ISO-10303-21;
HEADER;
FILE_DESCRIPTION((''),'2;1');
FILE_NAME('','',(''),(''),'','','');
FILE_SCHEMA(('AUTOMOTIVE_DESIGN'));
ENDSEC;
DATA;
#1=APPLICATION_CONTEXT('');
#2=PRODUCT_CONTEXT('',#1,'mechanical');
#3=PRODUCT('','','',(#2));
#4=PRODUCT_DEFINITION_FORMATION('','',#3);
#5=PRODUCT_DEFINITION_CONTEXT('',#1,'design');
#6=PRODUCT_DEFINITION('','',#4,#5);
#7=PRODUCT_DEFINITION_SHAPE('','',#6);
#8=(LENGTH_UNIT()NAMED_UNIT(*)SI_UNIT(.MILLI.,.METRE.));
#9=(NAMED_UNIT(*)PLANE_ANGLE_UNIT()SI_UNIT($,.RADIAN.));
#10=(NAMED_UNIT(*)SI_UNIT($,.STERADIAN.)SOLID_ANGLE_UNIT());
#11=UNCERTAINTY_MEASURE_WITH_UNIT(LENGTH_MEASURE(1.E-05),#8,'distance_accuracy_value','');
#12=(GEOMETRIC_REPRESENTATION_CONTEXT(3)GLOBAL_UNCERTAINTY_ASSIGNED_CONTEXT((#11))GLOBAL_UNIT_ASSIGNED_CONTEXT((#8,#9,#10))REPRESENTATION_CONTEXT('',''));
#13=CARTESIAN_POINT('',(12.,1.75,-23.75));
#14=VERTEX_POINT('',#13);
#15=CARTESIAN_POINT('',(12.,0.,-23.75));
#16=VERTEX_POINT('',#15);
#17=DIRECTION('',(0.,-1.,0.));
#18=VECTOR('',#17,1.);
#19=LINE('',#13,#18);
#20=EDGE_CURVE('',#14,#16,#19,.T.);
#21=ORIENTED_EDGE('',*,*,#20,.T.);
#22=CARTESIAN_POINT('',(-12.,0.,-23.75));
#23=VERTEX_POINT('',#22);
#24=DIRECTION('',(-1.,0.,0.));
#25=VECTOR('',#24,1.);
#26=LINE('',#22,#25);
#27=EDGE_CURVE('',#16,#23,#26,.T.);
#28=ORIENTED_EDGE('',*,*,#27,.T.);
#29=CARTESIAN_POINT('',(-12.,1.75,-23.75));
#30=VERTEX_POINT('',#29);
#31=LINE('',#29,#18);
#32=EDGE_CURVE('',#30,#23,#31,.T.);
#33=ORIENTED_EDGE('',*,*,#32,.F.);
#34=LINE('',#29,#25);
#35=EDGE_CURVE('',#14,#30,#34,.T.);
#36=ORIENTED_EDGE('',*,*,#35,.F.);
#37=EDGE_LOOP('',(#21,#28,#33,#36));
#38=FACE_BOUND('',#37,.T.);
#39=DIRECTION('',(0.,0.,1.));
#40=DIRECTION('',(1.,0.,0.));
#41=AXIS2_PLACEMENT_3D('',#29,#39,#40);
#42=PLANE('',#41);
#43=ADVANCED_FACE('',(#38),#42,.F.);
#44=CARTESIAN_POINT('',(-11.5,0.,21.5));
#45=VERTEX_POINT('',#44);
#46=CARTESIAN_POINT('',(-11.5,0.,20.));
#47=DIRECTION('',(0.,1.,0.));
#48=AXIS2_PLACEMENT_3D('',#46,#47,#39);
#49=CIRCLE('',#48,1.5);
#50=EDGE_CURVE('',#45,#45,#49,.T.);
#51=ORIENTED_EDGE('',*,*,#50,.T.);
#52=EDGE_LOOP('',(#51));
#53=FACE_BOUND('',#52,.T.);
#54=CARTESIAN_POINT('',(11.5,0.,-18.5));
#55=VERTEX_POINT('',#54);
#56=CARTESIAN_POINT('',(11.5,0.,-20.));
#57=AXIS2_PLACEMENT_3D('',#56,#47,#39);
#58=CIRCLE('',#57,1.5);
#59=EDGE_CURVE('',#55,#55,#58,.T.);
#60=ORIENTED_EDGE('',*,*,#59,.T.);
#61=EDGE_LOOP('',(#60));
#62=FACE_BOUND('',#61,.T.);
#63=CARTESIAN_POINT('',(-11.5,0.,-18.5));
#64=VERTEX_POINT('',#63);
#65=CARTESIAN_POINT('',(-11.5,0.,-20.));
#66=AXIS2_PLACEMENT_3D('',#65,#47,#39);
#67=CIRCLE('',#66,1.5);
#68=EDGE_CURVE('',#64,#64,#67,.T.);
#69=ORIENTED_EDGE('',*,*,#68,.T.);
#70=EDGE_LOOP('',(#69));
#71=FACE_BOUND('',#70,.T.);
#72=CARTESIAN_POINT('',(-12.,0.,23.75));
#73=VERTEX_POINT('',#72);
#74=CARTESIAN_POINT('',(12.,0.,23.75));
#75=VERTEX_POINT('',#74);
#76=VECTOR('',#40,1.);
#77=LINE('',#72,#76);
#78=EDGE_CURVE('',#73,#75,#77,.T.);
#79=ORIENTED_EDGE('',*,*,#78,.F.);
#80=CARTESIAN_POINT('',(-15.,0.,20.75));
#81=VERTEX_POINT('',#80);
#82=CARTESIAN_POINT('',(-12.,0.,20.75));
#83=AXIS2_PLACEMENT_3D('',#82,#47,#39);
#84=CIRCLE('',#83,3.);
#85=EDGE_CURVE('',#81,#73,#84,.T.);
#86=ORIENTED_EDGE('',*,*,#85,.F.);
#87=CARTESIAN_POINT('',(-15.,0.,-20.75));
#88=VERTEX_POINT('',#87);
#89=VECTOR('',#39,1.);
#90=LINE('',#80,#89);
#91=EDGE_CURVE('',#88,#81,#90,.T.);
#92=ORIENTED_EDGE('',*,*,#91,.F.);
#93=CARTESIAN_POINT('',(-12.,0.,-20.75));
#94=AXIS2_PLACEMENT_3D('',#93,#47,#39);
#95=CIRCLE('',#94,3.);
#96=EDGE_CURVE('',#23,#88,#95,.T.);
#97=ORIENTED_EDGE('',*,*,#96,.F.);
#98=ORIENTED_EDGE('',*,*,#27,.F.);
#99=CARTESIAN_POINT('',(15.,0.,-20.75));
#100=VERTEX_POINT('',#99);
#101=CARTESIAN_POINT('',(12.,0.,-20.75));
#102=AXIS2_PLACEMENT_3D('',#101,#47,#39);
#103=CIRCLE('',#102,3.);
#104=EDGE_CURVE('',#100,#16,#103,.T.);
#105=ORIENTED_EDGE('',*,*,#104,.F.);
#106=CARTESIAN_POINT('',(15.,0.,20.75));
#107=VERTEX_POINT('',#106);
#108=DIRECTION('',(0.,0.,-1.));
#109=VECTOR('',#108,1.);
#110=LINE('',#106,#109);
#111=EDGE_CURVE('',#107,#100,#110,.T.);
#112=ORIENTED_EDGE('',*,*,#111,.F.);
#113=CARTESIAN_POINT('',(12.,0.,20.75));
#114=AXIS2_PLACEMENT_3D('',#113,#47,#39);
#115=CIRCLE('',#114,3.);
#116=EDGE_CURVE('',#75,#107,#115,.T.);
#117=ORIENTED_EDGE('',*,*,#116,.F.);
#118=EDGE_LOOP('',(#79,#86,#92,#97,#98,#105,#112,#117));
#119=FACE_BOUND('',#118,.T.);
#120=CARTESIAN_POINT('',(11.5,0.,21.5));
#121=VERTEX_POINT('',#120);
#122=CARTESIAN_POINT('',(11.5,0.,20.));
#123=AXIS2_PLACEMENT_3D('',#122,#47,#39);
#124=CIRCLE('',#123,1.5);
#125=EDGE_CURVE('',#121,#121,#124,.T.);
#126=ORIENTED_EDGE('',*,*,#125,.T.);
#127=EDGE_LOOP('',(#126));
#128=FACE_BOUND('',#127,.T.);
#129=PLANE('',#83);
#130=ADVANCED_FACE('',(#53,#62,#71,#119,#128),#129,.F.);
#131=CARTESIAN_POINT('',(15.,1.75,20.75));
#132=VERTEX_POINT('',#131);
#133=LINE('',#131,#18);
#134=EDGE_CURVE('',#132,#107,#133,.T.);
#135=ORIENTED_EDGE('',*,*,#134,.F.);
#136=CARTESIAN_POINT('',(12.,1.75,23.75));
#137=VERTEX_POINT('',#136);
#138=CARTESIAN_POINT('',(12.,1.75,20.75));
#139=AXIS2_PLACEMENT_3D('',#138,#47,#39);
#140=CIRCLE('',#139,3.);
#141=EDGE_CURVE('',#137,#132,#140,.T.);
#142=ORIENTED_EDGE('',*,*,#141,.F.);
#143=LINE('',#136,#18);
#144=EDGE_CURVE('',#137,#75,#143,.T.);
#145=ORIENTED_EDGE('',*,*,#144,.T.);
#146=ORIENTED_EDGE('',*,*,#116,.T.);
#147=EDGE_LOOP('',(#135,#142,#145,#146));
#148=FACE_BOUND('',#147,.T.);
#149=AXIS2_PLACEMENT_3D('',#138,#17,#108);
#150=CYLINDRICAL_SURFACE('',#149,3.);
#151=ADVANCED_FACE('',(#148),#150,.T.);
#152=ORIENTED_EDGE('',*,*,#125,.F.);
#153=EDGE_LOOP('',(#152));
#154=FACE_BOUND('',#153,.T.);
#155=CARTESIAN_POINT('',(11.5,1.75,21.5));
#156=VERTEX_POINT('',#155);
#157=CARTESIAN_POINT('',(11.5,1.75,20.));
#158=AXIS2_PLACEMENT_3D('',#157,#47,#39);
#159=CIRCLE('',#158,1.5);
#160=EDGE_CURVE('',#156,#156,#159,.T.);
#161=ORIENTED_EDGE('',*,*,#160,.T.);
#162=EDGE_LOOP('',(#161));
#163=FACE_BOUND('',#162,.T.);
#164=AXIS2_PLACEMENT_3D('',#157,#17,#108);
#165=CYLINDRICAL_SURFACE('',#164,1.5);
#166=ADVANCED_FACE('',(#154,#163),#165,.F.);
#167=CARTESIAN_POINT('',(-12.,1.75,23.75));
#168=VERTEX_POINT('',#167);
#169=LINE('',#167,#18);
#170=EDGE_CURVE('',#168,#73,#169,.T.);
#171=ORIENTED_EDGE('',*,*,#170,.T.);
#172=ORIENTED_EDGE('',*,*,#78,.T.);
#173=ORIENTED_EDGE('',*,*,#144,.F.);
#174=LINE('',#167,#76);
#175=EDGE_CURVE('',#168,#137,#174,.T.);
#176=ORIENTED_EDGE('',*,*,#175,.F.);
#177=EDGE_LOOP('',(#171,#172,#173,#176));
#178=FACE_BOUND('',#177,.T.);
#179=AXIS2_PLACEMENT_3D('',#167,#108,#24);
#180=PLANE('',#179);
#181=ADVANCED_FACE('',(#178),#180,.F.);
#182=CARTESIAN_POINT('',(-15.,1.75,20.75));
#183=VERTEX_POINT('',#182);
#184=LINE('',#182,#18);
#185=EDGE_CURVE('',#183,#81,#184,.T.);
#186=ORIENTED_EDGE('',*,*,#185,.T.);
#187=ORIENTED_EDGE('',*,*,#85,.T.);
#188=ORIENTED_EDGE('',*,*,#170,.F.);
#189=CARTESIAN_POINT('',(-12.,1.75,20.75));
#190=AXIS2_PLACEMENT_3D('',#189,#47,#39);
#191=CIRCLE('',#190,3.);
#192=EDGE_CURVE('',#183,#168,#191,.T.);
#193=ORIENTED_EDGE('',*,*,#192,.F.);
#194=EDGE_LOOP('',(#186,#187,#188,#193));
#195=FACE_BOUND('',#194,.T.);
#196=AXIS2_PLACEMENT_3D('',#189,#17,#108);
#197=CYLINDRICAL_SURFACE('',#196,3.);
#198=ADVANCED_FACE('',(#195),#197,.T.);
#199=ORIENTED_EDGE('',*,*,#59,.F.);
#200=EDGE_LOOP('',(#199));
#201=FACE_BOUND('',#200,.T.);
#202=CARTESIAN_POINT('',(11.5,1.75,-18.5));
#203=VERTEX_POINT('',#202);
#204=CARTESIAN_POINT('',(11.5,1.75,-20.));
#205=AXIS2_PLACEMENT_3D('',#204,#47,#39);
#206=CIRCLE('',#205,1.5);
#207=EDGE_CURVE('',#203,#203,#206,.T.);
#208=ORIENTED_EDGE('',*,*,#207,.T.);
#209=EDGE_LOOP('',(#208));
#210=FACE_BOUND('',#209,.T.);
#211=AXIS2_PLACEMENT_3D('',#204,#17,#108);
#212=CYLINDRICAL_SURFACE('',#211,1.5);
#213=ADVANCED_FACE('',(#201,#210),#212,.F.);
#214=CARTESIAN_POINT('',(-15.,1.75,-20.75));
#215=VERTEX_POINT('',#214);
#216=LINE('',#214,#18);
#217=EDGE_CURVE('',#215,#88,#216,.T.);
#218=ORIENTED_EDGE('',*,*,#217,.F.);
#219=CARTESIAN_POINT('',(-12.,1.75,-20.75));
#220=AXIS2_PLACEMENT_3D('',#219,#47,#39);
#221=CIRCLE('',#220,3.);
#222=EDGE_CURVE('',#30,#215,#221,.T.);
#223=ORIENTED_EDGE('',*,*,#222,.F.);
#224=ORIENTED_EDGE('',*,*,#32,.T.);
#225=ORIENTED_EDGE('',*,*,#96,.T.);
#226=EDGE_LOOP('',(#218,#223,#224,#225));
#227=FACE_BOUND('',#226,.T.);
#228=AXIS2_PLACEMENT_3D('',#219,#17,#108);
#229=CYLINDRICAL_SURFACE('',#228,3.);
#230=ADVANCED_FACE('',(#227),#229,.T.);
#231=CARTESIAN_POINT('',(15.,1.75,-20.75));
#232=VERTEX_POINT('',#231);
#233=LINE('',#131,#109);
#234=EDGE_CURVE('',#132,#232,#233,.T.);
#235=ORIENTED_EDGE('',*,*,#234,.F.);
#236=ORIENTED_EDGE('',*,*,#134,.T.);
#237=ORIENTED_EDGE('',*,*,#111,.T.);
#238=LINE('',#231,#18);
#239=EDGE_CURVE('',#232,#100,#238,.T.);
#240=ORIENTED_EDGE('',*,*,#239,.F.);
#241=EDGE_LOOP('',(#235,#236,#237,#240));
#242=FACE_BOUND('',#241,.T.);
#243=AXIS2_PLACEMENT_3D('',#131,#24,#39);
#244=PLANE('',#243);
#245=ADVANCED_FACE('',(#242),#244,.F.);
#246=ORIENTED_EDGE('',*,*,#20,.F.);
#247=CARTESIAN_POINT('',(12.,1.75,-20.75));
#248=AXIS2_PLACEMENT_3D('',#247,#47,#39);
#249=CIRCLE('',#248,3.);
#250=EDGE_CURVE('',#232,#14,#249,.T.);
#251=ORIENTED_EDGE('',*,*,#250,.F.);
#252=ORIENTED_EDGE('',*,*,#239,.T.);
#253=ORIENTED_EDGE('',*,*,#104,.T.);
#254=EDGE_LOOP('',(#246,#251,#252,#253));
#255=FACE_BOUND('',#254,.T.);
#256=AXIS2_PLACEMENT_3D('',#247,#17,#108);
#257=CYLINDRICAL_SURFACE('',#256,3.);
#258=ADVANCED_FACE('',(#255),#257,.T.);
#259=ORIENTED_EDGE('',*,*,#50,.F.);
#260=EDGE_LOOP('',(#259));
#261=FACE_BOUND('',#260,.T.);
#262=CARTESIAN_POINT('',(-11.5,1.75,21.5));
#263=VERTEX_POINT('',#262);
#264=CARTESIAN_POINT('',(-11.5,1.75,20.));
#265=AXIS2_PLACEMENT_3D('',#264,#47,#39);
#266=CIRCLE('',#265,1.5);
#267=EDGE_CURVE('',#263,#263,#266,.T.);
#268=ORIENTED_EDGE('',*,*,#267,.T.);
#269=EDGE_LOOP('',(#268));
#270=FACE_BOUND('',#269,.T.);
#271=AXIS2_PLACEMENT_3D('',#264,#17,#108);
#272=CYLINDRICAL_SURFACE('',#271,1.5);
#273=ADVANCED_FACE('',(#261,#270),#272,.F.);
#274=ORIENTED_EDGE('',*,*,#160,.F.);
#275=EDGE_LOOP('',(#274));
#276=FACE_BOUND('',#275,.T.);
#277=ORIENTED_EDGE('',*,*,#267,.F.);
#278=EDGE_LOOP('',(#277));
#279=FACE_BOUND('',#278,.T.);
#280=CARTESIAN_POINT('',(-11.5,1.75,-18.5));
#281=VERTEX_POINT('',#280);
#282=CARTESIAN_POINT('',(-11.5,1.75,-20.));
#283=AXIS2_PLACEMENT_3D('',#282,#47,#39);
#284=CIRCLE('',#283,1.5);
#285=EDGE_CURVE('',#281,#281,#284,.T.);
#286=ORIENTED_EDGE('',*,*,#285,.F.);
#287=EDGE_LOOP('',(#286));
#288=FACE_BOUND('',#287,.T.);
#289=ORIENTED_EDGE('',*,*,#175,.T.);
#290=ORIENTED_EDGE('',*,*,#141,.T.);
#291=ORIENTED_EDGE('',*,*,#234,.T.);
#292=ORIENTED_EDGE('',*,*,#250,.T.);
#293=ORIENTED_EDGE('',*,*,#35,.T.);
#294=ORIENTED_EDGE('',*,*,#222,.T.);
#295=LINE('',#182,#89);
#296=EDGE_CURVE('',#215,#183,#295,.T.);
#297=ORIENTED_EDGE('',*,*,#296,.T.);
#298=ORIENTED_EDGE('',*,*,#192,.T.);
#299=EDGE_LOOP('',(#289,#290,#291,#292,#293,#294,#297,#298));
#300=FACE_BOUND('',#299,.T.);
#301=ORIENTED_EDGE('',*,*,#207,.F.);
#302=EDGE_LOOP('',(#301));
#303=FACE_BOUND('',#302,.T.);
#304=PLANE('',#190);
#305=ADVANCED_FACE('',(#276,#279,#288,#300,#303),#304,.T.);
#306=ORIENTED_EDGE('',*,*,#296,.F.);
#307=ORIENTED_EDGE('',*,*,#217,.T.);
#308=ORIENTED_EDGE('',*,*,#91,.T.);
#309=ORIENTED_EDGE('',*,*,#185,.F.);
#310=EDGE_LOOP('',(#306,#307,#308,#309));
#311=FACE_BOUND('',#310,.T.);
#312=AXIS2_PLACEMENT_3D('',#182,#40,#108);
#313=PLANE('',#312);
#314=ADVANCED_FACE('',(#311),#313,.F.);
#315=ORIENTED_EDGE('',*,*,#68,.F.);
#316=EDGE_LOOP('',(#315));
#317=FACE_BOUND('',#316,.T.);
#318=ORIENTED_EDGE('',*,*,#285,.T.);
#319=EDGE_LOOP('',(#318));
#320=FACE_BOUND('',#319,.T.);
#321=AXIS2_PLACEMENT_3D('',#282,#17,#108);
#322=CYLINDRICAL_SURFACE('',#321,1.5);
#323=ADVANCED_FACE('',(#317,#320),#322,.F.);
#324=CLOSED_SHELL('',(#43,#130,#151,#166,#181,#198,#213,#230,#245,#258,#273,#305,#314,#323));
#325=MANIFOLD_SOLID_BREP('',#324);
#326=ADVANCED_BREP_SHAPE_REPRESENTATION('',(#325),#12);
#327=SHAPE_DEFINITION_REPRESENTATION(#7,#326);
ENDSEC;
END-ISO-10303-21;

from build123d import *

# Parameters (mm, degrees)
SKETCH1_R           = 1.5
BOSS_EXTRUDE1_DEPTH = 1.75


with BuildPart() as part:
    # Sketch1 → Boss-Extrude1 (new body)
    with BuildSketch(Plane(origin=(0, 0, 0), x_dir=(1, 0, 0), z_dir=(0, 1, 0))):
        with BuildLine():
            Line((-12, -23.75), (12, -23.75))
            ThreePointArc((12, -23.75), (14.121320344, -22.871320344), (15, -20.75))
            Line((15, -20.75), (15, 20.75))
            ThreePointArc((15, 20.75), (14.121320344, 22.871320344), (12, 23.75))
            Line((12, 23.75), (-12, 23.75))
            ThreePointArc((-12, 23.75), (-14.121320344, 22.871320344), (-15, 20.75))
            Line((-15, 20.75), (-15, -20.75))
            ThreePointArc((-15, -20.75), (-14.121320344, -22.871320344), (-12, -23.75))
        make_face()
        with Locations((-11.5, 20)):
            Circle(SKETCH1_R, mode=Mode.SUBTRACT)
        with Locations((11.5, 20)):
            Circle(SKETCH1_R, mode=Mode.SUBTRACT)
        with Locations((11.5, -20)):
            Circle(SKETCH1_R, mode=Mode.SUBTRACT)
        with Locations((-11.5, -20)):
            Circle(SKETCH1_R, mode=Mode.SUBTRACT)
    extrude(amount=BOSS_EXTRUDE1_DEPTH)


solid = part.part
